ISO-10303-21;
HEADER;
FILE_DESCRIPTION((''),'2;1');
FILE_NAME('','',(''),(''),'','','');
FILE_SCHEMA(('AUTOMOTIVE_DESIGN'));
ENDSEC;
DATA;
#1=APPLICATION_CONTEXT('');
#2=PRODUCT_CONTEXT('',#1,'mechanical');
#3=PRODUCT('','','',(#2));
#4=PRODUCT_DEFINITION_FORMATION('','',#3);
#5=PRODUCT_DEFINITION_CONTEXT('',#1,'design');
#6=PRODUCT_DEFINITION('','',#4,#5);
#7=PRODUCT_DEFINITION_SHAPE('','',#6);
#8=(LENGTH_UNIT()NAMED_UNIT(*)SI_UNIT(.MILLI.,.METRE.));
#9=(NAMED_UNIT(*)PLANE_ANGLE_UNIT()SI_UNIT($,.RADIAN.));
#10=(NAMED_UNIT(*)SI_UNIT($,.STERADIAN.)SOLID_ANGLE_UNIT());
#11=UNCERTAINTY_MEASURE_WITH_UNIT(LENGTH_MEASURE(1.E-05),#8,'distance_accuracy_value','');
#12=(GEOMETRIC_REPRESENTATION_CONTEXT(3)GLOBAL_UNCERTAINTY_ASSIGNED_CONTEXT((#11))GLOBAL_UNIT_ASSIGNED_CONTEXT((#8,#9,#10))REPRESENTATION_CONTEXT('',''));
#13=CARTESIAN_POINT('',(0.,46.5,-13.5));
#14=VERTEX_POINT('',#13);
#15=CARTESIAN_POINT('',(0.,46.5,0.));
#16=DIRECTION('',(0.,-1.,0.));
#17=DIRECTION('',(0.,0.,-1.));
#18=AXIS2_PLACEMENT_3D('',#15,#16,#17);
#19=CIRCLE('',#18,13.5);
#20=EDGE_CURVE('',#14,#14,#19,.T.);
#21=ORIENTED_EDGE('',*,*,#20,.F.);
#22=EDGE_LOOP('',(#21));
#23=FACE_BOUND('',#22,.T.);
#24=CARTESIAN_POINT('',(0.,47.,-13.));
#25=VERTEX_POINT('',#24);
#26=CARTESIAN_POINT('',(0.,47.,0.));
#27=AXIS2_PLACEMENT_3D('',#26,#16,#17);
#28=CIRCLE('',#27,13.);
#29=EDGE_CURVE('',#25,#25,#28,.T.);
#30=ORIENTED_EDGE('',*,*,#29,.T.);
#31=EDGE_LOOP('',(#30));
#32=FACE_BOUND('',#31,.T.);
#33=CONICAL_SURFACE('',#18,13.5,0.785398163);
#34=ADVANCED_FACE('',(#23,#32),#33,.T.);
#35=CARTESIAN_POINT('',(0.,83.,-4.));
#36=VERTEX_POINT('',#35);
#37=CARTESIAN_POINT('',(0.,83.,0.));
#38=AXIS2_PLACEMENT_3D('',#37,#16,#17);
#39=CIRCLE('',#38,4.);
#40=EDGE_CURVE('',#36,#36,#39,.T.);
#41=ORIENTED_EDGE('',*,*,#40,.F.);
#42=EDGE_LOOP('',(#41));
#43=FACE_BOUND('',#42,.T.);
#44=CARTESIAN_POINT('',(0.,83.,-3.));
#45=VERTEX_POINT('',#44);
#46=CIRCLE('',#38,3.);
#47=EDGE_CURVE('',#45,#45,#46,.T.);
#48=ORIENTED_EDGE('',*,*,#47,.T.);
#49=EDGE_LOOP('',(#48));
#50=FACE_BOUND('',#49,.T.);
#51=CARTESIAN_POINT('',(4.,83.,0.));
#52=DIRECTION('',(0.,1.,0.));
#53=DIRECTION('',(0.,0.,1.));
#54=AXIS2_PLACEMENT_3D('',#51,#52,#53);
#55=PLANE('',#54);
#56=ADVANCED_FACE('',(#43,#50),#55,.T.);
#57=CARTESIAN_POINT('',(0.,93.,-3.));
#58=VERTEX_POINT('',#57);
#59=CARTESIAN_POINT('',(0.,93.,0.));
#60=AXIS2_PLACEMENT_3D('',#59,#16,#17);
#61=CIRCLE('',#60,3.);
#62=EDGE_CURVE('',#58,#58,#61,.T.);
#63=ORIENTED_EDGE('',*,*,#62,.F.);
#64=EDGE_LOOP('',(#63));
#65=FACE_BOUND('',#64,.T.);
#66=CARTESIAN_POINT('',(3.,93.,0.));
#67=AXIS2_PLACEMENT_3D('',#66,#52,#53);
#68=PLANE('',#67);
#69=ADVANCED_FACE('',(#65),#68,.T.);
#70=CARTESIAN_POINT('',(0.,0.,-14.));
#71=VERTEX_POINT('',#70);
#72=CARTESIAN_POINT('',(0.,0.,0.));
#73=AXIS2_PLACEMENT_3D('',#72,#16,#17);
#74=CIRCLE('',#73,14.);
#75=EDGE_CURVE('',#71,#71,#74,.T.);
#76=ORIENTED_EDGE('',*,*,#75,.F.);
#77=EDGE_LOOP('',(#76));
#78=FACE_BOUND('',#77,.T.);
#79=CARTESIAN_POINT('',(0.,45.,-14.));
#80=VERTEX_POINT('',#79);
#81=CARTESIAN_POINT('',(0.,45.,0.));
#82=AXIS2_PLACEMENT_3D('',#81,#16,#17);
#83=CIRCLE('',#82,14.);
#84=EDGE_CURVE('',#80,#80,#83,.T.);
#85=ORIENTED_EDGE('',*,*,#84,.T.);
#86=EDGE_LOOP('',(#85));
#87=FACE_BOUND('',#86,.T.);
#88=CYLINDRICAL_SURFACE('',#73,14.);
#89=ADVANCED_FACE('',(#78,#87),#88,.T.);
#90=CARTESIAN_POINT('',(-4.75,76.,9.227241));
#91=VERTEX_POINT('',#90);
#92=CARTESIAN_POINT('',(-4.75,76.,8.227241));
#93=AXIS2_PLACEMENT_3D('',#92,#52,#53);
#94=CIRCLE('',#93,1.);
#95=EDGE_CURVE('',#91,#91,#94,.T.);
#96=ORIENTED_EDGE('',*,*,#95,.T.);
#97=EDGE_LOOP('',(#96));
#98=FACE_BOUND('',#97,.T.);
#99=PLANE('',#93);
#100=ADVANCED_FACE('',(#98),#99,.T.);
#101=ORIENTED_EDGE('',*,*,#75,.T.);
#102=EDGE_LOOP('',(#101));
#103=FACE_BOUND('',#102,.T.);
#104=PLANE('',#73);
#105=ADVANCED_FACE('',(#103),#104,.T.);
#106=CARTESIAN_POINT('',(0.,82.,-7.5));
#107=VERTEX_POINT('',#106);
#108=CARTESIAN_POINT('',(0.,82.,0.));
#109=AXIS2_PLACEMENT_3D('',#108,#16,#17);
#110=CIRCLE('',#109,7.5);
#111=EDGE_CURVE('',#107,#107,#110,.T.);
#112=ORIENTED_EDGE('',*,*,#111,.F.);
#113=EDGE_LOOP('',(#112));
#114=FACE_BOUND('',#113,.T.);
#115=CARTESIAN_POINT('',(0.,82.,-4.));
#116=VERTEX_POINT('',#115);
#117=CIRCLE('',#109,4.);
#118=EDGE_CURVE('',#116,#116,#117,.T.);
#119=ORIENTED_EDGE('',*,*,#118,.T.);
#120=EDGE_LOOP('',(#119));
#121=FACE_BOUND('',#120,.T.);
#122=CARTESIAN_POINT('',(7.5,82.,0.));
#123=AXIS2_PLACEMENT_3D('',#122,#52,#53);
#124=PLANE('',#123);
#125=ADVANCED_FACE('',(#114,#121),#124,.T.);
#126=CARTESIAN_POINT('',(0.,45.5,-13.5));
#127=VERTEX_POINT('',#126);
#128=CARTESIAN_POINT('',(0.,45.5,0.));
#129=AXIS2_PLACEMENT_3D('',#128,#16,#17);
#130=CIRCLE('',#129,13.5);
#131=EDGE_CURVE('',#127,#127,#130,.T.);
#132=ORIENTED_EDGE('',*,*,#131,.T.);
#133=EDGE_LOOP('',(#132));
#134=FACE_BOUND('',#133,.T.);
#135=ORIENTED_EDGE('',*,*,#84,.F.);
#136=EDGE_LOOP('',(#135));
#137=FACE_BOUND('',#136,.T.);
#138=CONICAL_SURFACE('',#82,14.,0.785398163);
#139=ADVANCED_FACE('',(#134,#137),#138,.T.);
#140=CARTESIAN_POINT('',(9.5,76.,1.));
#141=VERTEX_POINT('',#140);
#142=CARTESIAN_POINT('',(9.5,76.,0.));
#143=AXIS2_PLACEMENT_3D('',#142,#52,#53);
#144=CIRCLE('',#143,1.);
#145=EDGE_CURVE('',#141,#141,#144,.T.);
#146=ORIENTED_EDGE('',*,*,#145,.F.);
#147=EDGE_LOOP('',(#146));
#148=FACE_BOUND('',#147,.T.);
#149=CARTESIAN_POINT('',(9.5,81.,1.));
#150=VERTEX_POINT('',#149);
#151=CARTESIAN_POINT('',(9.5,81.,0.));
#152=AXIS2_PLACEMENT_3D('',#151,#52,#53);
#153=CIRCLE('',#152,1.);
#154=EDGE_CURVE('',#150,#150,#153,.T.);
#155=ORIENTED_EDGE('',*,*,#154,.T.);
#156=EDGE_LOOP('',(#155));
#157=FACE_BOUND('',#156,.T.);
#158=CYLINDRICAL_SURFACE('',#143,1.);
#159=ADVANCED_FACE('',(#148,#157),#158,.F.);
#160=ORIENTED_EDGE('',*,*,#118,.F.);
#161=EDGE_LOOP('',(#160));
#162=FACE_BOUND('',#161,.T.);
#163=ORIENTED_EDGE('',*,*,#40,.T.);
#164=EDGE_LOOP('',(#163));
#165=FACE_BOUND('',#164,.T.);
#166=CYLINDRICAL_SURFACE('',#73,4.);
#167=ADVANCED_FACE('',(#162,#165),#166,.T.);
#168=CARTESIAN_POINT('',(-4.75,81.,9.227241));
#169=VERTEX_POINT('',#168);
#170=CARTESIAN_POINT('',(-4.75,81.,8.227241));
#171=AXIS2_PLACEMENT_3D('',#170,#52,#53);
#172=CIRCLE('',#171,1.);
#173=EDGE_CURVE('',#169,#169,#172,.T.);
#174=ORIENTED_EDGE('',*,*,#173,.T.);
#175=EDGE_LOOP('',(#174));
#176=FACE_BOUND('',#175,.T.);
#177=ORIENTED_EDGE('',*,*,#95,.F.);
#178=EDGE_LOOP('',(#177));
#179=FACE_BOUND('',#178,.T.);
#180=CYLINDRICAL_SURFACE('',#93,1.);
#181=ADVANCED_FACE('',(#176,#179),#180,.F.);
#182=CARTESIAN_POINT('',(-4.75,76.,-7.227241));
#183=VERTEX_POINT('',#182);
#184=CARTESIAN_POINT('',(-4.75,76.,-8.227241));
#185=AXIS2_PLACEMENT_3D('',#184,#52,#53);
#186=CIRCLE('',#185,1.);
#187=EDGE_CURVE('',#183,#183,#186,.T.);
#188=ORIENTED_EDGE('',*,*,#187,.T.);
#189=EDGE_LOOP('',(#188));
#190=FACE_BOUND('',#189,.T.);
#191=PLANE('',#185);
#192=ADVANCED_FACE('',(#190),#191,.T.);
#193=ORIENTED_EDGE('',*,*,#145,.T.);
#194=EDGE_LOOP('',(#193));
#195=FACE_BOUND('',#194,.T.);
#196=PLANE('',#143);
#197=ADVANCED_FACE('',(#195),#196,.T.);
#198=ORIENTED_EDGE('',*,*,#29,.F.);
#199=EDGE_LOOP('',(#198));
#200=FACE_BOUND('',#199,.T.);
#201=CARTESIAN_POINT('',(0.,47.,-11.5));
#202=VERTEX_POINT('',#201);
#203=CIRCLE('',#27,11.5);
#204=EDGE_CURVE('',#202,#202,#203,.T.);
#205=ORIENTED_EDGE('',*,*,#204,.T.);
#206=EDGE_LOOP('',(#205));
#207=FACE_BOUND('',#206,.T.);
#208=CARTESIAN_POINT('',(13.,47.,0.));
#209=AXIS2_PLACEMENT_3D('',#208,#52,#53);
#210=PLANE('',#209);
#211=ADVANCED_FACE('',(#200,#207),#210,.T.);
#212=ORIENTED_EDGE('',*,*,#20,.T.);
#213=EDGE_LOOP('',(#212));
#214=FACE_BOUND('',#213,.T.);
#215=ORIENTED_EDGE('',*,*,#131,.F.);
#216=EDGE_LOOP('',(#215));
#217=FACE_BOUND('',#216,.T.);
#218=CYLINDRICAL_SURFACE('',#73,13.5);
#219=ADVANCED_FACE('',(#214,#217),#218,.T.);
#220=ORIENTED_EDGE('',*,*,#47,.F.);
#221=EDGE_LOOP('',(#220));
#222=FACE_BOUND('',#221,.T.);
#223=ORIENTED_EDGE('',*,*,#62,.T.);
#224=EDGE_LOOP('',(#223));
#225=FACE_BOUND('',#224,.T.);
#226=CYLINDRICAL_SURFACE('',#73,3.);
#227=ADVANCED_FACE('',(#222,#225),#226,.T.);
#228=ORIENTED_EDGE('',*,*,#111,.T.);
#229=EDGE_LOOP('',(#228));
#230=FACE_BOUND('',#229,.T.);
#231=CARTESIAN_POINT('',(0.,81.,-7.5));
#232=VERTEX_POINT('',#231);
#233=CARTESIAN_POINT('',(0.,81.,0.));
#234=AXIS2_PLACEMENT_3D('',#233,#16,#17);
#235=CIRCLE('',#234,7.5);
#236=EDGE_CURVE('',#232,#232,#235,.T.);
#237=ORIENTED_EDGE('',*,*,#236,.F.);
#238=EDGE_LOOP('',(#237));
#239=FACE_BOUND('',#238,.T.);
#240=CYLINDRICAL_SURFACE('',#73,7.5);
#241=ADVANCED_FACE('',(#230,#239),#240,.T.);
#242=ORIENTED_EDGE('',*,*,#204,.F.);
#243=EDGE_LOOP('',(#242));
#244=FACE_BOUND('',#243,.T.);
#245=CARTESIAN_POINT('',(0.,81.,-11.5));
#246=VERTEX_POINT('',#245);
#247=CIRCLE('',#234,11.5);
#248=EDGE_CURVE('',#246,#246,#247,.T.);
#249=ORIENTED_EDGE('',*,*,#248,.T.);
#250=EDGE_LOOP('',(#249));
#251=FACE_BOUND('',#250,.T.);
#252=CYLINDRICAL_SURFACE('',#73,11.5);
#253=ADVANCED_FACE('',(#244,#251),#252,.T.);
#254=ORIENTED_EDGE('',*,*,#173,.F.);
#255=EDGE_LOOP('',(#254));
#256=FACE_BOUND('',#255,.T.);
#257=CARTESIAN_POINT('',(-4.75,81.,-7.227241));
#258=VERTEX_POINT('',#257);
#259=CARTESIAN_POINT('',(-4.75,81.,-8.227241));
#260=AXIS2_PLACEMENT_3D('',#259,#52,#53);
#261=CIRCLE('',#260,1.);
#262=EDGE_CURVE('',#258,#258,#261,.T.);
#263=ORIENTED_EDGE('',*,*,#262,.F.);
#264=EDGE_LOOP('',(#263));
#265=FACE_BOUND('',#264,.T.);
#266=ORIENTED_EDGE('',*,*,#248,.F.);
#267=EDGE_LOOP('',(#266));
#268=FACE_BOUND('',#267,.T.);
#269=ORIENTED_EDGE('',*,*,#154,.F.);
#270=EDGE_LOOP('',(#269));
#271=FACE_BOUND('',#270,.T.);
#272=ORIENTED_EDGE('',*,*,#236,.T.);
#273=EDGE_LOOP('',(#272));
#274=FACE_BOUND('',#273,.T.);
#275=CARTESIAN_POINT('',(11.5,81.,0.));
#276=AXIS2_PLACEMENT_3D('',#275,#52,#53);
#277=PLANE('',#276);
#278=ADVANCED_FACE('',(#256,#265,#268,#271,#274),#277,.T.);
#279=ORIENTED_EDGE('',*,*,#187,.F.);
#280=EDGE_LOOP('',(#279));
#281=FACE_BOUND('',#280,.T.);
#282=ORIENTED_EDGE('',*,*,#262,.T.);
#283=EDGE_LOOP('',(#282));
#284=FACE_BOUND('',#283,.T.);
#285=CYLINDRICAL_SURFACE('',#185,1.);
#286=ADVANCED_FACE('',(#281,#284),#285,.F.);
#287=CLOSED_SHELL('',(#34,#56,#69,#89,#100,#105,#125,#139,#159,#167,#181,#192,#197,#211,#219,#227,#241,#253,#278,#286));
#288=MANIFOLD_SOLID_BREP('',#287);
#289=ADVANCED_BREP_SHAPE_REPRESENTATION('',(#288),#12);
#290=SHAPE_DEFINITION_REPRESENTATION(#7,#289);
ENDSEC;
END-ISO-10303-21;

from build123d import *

# Parameters (mm, degrees)
ESQUISSE3_R             = 1
ENL_V_MAT_EXTRU_1_DEPTH = 5


with BuildPart() as part:
    # Esquisse1 → Révolution1 (revolve)
    with BuildSketch(Plane.XY, mode=Mode.PRIVATE) as r_volution1_sk:
        Polygon((0, 0), (14, 0), (14, 17), (14, 45), (13.5, 45.5), (13.5, 46.5), (13, 47), (11.5, 47), (11.5, 81), (7.5, 81), (7.5, 82), (4, 82), (4, 83), (3, 83), (3, 93), (0, 93), align=None)
    revolve(r_volution1_sk.sketch.rotate(Axis((0, 0, 0), (0, 1, 0)), 90), axis=Axis((0, 0, 0), (0, 1, 0)))

    # Esquisse3 → Enlèv. mat.-Extru.1 (cut)
    with BuildSketch(Plane(origin=(0, 81, 0), x_dir=(1, 0, 0), z_dir=(0, 1, 0))):
        with Locations(Location((9.5, 0, 0), (0, 0, 270))):
            Circle(ESQUISSE3_R)
        with Locations(Location((-4.75, -8.227241336, 0), (0, 0, 270))):
            Circle(ESQUISSE3_R)
        with Locations(Location((-4.75, 8.227241336, 0), (0, 0, 270))):
            Circle(ESQUISSE3_R)
    extrude(amount=-ENL_V_MAT_EXTRU_1_DEPTH, mode=Mode.SUBTRACT)


solid = part.part
